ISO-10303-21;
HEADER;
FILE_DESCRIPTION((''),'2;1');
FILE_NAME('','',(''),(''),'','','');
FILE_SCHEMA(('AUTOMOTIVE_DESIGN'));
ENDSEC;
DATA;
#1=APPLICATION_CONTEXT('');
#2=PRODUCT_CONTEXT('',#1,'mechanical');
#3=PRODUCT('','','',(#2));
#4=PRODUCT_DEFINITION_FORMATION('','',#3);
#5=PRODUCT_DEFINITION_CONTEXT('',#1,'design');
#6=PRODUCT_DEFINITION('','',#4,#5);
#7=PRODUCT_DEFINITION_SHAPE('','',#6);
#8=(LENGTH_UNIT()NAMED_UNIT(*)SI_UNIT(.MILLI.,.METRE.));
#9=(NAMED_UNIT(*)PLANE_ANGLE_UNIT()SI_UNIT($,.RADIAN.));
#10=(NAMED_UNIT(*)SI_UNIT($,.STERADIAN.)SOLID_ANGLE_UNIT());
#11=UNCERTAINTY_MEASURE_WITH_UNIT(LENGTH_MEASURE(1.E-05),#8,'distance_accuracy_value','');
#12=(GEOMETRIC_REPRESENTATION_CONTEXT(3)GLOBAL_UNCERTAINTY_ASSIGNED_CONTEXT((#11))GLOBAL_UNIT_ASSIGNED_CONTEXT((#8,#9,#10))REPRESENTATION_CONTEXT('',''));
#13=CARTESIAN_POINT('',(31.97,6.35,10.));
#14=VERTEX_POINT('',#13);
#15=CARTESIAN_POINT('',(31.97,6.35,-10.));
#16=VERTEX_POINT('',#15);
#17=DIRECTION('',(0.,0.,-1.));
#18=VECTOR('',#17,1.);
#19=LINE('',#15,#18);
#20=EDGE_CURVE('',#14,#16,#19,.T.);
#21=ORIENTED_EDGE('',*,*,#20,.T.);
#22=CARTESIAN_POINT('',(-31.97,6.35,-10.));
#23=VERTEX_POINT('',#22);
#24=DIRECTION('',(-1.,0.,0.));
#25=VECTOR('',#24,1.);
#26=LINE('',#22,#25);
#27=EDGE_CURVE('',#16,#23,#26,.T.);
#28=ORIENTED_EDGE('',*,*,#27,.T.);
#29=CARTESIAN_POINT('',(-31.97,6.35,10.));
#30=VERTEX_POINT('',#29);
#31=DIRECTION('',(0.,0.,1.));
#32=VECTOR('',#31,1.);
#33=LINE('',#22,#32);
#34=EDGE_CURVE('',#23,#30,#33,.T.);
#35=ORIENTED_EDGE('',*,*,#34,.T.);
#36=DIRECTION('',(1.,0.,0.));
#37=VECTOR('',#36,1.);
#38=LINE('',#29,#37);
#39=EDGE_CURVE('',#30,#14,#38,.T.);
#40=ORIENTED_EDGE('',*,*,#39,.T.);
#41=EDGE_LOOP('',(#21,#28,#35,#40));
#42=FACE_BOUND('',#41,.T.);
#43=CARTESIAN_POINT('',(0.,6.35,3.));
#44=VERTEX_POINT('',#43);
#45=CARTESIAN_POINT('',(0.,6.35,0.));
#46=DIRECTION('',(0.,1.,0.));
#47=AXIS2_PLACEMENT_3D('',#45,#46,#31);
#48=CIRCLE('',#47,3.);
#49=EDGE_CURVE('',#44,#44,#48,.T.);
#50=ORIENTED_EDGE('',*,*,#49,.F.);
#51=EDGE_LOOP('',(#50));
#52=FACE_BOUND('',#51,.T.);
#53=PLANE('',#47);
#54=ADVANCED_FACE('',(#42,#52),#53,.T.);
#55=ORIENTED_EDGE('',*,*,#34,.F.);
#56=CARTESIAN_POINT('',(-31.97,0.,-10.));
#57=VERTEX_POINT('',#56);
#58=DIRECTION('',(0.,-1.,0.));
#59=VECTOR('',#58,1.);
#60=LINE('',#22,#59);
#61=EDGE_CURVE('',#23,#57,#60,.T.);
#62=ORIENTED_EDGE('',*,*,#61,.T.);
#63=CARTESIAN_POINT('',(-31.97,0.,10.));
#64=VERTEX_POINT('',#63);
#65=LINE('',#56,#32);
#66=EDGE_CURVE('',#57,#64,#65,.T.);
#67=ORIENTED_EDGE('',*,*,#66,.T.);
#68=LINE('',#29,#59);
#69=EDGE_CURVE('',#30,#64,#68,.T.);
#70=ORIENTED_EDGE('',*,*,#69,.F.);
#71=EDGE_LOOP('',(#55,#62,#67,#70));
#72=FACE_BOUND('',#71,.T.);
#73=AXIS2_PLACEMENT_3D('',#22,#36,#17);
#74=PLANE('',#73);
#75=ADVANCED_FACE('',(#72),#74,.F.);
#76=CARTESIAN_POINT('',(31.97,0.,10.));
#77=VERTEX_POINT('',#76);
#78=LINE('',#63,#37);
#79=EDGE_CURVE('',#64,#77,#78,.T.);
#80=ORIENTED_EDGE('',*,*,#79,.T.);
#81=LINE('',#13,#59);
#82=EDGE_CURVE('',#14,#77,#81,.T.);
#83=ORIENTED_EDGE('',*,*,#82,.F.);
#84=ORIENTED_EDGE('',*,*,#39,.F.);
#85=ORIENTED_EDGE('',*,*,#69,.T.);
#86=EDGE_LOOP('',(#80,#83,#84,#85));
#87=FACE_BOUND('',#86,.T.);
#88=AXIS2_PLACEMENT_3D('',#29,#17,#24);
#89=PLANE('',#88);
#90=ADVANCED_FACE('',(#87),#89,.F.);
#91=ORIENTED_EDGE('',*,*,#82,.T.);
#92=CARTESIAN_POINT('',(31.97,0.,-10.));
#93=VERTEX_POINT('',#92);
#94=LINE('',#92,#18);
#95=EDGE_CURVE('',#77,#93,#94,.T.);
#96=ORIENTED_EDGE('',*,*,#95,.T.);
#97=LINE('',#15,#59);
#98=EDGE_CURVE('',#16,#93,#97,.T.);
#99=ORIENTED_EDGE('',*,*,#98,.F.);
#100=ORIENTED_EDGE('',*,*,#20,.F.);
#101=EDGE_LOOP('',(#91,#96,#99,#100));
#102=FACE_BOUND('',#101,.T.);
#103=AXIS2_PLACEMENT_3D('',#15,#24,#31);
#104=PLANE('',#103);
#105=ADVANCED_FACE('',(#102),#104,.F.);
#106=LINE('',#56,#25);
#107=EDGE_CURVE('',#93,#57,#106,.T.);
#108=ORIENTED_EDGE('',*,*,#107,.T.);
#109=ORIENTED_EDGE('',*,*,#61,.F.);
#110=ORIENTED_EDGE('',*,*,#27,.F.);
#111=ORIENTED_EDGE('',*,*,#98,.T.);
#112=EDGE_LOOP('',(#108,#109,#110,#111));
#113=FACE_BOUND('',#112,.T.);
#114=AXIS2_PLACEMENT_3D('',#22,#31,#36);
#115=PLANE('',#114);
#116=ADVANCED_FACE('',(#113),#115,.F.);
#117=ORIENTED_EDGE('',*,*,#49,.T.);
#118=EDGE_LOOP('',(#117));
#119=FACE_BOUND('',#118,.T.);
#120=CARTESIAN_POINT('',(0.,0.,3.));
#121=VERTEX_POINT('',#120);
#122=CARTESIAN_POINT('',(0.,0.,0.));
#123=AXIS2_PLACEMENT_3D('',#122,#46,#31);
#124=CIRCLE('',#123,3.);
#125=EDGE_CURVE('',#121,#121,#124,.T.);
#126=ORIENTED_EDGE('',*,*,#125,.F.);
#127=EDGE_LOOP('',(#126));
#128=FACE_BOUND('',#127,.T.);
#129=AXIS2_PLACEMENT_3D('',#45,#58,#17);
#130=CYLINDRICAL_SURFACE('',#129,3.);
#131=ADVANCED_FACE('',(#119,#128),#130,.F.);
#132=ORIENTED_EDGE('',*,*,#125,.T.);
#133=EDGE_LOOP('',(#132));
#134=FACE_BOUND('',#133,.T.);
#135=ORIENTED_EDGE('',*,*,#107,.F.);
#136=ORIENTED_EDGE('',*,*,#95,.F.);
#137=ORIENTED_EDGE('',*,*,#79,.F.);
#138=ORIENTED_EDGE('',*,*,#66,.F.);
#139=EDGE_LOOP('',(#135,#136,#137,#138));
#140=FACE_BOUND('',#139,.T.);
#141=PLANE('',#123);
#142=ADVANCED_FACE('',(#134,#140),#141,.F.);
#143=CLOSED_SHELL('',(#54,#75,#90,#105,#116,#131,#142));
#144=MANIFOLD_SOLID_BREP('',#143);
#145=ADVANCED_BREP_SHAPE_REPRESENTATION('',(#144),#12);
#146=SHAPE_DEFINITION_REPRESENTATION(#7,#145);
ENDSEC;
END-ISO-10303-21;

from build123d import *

# Parameters (mm, degrees)
SKETCH1_W           = 63.94
SKETCH1_H           = 20
SKETCH1_R           = 3
BOSS_EXTRUDE1_DEPTH = 6.35


with BuildPart() as part:
    # Sketch1 → Boss-Extrude1 (new body)
    with BuildSketch(Plane(origin=(0, 0, 0), x_dir=(1, 0, 0), z_dir=(0, 1, 0))):
        Rectangle(SKETCH1_W, SKETCH1_H)
        with Locations(Location((0, 0, 0), (0, 0, 270))):
            Circle(SKETCH1_R, mode=Mode.SUBTRACT)
    extrude(amount=BOSS_EXTRUDE1_DEPTH)


solid = part.part
